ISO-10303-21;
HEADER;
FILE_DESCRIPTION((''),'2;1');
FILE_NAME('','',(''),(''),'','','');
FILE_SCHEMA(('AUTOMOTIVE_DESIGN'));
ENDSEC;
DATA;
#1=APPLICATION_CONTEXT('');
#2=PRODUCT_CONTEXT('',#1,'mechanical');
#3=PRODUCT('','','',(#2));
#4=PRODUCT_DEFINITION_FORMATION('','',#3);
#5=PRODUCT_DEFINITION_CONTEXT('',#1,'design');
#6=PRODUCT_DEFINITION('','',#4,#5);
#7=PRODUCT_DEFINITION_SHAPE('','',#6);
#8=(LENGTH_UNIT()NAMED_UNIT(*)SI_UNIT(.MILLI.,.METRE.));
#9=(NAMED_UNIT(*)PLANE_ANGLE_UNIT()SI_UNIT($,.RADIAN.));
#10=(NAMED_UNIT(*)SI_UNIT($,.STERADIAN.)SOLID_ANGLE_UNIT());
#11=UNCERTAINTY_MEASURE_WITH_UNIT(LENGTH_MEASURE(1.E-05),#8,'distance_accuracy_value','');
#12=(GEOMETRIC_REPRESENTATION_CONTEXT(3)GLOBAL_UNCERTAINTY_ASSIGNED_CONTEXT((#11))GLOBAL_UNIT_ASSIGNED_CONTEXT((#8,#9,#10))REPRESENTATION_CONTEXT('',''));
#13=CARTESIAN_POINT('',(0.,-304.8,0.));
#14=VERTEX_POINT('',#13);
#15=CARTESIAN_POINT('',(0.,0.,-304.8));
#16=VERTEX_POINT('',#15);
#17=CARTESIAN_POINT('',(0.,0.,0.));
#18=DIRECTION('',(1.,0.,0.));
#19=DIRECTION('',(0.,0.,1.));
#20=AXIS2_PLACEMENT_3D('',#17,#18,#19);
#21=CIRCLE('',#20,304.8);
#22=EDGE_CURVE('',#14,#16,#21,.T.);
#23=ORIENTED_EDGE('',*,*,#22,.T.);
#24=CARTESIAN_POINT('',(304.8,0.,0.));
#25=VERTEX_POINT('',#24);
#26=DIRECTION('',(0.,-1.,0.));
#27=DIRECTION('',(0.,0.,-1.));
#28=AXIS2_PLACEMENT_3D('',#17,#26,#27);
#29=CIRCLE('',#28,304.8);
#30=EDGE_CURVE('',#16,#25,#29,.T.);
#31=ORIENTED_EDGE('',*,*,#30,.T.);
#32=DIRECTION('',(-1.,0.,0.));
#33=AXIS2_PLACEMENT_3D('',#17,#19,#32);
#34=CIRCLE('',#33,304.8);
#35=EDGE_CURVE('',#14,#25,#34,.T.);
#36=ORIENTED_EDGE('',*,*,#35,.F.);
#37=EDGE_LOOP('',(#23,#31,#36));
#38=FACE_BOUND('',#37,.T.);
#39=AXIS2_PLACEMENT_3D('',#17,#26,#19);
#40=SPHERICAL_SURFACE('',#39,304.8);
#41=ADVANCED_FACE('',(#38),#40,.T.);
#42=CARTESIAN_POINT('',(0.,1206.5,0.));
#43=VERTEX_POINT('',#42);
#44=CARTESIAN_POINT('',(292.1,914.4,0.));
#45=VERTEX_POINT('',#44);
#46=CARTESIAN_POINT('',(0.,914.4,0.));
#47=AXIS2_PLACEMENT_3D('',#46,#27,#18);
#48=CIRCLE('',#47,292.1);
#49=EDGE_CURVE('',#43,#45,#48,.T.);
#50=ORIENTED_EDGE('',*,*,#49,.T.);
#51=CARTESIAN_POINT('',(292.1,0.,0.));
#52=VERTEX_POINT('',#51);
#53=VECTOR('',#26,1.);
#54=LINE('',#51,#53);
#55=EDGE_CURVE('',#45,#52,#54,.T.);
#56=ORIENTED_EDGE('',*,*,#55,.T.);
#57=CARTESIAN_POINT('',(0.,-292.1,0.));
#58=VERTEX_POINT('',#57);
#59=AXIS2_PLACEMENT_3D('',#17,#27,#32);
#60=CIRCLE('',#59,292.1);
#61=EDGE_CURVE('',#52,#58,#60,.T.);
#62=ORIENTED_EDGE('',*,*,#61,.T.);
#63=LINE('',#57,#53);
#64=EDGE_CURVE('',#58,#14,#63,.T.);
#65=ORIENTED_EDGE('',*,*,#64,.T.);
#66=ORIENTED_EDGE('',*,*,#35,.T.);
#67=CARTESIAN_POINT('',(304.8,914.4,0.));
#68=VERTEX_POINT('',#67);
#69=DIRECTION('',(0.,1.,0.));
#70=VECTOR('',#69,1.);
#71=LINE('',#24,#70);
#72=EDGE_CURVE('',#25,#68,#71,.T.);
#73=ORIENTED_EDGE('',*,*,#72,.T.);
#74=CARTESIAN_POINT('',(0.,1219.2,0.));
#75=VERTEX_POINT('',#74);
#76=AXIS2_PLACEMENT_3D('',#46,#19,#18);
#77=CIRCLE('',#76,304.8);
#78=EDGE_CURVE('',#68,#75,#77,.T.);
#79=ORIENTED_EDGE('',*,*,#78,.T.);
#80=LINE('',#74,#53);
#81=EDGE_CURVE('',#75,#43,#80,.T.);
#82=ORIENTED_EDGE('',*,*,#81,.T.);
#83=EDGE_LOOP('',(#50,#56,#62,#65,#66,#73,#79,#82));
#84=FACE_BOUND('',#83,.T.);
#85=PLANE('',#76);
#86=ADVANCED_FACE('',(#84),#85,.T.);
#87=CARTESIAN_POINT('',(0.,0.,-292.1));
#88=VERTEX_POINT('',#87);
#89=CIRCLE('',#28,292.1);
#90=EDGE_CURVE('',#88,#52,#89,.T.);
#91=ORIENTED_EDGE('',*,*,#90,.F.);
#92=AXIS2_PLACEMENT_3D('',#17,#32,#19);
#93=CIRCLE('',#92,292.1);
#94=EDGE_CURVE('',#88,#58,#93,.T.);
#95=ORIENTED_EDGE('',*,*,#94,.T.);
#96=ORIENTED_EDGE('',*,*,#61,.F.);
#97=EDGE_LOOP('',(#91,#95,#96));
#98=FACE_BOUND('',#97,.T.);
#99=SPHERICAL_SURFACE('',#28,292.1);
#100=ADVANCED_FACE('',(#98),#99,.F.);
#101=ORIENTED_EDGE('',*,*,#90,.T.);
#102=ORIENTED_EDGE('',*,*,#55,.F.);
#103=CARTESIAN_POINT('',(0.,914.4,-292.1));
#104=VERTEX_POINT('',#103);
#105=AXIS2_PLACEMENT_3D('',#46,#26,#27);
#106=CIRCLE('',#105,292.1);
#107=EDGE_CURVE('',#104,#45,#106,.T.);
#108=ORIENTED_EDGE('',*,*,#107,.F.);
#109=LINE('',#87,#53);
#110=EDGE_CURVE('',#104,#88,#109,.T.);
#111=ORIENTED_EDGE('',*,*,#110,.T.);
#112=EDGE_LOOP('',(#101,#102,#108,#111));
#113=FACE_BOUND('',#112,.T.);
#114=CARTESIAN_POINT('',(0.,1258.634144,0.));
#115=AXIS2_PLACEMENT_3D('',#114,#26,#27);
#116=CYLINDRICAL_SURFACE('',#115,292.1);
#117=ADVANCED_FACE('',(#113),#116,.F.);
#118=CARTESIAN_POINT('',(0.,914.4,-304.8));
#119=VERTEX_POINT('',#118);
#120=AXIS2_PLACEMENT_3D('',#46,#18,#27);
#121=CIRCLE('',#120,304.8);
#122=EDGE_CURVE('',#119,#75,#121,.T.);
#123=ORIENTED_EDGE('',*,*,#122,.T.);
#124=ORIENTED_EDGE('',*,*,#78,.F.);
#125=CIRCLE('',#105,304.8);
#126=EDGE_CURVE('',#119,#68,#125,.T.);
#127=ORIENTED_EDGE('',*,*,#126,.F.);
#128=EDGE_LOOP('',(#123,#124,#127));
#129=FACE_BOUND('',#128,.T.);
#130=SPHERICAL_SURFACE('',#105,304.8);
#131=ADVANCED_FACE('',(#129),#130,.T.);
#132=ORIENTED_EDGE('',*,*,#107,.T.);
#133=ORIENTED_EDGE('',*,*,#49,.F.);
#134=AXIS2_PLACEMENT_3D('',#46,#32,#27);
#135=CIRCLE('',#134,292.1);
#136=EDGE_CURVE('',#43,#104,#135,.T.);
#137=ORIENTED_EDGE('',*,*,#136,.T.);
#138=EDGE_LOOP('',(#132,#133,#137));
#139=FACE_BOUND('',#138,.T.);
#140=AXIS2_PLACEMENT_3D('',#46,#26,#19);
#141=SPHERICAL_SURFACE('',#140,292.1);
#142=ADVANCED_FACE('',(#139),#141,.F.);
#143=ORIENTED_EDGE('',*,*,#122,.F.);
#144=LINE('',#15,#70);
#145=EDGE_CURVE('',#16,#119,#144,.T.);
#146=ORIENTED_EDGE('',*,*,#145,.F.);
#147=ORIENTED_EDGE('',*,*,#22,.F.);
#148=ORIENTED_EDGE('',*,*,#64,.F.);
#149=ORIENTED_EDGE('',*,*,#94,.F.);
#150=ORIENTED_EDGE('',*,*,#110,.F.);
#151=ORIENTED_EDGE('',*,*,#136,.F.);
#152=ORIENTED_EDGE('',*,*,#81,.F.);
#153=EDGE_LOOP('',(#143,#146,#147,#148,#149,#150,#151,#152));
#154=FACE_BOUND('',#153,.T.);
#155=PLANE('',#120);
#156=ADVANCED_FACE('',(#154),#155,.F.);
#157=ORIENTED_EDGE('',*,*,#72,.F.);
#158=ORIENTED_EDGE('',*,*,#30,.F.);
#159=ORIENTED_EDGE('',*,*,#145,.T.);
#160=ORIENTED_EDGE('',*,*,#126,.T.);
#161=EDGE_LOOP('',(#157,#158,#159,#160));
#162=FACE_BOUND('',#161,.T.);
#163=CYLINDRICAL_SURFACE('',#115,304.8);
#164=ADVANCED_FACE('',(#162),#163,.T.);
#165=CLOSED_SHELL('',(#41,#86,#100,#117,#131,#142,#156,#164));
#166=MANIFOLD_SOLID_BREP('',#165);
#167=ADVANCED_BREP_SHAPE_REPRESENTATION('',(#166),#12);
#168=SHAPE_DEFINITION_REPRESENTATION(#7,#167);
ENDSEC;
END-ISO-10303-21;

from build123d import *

# Parameters (mm, degrees)
REVOLVE1_ANGLE = 90


with BuildPart() as part:
    # Sketch1 → Revolve1 (revolve)
    with BuildSketch(Plane.XY):
        with BuildLine():
            Line((304.8, 0), (304.8, 914.4))
            ThreePointArc((304.8, 914.4), (215.526146906, 1129.926146906), (0, 1219.2))
            Line((0, 1219.2), (0, 1206.5))
            ThreePointArc((0, 1206.5), (206.545890785, 1120.945890785), (292.1, 914.4))
            Line((292.1, 914.4), (292.1, 0))
            ThreePointArc((292.1, 0), (206.545890785, -206.545890785), (0, -292.1))
            Line((0, -292.1), (0, -304.8))
            ThreePointArc((0, -304.8), (215.526146906, -215.526146906), (304.8, 0))
        make_face()
    revolve(axis=Axis((0, 1258.634144443, 0), (0, 1, 0)), revolution_arc=REVOLVE1_ANGLE)


solid = part.part
